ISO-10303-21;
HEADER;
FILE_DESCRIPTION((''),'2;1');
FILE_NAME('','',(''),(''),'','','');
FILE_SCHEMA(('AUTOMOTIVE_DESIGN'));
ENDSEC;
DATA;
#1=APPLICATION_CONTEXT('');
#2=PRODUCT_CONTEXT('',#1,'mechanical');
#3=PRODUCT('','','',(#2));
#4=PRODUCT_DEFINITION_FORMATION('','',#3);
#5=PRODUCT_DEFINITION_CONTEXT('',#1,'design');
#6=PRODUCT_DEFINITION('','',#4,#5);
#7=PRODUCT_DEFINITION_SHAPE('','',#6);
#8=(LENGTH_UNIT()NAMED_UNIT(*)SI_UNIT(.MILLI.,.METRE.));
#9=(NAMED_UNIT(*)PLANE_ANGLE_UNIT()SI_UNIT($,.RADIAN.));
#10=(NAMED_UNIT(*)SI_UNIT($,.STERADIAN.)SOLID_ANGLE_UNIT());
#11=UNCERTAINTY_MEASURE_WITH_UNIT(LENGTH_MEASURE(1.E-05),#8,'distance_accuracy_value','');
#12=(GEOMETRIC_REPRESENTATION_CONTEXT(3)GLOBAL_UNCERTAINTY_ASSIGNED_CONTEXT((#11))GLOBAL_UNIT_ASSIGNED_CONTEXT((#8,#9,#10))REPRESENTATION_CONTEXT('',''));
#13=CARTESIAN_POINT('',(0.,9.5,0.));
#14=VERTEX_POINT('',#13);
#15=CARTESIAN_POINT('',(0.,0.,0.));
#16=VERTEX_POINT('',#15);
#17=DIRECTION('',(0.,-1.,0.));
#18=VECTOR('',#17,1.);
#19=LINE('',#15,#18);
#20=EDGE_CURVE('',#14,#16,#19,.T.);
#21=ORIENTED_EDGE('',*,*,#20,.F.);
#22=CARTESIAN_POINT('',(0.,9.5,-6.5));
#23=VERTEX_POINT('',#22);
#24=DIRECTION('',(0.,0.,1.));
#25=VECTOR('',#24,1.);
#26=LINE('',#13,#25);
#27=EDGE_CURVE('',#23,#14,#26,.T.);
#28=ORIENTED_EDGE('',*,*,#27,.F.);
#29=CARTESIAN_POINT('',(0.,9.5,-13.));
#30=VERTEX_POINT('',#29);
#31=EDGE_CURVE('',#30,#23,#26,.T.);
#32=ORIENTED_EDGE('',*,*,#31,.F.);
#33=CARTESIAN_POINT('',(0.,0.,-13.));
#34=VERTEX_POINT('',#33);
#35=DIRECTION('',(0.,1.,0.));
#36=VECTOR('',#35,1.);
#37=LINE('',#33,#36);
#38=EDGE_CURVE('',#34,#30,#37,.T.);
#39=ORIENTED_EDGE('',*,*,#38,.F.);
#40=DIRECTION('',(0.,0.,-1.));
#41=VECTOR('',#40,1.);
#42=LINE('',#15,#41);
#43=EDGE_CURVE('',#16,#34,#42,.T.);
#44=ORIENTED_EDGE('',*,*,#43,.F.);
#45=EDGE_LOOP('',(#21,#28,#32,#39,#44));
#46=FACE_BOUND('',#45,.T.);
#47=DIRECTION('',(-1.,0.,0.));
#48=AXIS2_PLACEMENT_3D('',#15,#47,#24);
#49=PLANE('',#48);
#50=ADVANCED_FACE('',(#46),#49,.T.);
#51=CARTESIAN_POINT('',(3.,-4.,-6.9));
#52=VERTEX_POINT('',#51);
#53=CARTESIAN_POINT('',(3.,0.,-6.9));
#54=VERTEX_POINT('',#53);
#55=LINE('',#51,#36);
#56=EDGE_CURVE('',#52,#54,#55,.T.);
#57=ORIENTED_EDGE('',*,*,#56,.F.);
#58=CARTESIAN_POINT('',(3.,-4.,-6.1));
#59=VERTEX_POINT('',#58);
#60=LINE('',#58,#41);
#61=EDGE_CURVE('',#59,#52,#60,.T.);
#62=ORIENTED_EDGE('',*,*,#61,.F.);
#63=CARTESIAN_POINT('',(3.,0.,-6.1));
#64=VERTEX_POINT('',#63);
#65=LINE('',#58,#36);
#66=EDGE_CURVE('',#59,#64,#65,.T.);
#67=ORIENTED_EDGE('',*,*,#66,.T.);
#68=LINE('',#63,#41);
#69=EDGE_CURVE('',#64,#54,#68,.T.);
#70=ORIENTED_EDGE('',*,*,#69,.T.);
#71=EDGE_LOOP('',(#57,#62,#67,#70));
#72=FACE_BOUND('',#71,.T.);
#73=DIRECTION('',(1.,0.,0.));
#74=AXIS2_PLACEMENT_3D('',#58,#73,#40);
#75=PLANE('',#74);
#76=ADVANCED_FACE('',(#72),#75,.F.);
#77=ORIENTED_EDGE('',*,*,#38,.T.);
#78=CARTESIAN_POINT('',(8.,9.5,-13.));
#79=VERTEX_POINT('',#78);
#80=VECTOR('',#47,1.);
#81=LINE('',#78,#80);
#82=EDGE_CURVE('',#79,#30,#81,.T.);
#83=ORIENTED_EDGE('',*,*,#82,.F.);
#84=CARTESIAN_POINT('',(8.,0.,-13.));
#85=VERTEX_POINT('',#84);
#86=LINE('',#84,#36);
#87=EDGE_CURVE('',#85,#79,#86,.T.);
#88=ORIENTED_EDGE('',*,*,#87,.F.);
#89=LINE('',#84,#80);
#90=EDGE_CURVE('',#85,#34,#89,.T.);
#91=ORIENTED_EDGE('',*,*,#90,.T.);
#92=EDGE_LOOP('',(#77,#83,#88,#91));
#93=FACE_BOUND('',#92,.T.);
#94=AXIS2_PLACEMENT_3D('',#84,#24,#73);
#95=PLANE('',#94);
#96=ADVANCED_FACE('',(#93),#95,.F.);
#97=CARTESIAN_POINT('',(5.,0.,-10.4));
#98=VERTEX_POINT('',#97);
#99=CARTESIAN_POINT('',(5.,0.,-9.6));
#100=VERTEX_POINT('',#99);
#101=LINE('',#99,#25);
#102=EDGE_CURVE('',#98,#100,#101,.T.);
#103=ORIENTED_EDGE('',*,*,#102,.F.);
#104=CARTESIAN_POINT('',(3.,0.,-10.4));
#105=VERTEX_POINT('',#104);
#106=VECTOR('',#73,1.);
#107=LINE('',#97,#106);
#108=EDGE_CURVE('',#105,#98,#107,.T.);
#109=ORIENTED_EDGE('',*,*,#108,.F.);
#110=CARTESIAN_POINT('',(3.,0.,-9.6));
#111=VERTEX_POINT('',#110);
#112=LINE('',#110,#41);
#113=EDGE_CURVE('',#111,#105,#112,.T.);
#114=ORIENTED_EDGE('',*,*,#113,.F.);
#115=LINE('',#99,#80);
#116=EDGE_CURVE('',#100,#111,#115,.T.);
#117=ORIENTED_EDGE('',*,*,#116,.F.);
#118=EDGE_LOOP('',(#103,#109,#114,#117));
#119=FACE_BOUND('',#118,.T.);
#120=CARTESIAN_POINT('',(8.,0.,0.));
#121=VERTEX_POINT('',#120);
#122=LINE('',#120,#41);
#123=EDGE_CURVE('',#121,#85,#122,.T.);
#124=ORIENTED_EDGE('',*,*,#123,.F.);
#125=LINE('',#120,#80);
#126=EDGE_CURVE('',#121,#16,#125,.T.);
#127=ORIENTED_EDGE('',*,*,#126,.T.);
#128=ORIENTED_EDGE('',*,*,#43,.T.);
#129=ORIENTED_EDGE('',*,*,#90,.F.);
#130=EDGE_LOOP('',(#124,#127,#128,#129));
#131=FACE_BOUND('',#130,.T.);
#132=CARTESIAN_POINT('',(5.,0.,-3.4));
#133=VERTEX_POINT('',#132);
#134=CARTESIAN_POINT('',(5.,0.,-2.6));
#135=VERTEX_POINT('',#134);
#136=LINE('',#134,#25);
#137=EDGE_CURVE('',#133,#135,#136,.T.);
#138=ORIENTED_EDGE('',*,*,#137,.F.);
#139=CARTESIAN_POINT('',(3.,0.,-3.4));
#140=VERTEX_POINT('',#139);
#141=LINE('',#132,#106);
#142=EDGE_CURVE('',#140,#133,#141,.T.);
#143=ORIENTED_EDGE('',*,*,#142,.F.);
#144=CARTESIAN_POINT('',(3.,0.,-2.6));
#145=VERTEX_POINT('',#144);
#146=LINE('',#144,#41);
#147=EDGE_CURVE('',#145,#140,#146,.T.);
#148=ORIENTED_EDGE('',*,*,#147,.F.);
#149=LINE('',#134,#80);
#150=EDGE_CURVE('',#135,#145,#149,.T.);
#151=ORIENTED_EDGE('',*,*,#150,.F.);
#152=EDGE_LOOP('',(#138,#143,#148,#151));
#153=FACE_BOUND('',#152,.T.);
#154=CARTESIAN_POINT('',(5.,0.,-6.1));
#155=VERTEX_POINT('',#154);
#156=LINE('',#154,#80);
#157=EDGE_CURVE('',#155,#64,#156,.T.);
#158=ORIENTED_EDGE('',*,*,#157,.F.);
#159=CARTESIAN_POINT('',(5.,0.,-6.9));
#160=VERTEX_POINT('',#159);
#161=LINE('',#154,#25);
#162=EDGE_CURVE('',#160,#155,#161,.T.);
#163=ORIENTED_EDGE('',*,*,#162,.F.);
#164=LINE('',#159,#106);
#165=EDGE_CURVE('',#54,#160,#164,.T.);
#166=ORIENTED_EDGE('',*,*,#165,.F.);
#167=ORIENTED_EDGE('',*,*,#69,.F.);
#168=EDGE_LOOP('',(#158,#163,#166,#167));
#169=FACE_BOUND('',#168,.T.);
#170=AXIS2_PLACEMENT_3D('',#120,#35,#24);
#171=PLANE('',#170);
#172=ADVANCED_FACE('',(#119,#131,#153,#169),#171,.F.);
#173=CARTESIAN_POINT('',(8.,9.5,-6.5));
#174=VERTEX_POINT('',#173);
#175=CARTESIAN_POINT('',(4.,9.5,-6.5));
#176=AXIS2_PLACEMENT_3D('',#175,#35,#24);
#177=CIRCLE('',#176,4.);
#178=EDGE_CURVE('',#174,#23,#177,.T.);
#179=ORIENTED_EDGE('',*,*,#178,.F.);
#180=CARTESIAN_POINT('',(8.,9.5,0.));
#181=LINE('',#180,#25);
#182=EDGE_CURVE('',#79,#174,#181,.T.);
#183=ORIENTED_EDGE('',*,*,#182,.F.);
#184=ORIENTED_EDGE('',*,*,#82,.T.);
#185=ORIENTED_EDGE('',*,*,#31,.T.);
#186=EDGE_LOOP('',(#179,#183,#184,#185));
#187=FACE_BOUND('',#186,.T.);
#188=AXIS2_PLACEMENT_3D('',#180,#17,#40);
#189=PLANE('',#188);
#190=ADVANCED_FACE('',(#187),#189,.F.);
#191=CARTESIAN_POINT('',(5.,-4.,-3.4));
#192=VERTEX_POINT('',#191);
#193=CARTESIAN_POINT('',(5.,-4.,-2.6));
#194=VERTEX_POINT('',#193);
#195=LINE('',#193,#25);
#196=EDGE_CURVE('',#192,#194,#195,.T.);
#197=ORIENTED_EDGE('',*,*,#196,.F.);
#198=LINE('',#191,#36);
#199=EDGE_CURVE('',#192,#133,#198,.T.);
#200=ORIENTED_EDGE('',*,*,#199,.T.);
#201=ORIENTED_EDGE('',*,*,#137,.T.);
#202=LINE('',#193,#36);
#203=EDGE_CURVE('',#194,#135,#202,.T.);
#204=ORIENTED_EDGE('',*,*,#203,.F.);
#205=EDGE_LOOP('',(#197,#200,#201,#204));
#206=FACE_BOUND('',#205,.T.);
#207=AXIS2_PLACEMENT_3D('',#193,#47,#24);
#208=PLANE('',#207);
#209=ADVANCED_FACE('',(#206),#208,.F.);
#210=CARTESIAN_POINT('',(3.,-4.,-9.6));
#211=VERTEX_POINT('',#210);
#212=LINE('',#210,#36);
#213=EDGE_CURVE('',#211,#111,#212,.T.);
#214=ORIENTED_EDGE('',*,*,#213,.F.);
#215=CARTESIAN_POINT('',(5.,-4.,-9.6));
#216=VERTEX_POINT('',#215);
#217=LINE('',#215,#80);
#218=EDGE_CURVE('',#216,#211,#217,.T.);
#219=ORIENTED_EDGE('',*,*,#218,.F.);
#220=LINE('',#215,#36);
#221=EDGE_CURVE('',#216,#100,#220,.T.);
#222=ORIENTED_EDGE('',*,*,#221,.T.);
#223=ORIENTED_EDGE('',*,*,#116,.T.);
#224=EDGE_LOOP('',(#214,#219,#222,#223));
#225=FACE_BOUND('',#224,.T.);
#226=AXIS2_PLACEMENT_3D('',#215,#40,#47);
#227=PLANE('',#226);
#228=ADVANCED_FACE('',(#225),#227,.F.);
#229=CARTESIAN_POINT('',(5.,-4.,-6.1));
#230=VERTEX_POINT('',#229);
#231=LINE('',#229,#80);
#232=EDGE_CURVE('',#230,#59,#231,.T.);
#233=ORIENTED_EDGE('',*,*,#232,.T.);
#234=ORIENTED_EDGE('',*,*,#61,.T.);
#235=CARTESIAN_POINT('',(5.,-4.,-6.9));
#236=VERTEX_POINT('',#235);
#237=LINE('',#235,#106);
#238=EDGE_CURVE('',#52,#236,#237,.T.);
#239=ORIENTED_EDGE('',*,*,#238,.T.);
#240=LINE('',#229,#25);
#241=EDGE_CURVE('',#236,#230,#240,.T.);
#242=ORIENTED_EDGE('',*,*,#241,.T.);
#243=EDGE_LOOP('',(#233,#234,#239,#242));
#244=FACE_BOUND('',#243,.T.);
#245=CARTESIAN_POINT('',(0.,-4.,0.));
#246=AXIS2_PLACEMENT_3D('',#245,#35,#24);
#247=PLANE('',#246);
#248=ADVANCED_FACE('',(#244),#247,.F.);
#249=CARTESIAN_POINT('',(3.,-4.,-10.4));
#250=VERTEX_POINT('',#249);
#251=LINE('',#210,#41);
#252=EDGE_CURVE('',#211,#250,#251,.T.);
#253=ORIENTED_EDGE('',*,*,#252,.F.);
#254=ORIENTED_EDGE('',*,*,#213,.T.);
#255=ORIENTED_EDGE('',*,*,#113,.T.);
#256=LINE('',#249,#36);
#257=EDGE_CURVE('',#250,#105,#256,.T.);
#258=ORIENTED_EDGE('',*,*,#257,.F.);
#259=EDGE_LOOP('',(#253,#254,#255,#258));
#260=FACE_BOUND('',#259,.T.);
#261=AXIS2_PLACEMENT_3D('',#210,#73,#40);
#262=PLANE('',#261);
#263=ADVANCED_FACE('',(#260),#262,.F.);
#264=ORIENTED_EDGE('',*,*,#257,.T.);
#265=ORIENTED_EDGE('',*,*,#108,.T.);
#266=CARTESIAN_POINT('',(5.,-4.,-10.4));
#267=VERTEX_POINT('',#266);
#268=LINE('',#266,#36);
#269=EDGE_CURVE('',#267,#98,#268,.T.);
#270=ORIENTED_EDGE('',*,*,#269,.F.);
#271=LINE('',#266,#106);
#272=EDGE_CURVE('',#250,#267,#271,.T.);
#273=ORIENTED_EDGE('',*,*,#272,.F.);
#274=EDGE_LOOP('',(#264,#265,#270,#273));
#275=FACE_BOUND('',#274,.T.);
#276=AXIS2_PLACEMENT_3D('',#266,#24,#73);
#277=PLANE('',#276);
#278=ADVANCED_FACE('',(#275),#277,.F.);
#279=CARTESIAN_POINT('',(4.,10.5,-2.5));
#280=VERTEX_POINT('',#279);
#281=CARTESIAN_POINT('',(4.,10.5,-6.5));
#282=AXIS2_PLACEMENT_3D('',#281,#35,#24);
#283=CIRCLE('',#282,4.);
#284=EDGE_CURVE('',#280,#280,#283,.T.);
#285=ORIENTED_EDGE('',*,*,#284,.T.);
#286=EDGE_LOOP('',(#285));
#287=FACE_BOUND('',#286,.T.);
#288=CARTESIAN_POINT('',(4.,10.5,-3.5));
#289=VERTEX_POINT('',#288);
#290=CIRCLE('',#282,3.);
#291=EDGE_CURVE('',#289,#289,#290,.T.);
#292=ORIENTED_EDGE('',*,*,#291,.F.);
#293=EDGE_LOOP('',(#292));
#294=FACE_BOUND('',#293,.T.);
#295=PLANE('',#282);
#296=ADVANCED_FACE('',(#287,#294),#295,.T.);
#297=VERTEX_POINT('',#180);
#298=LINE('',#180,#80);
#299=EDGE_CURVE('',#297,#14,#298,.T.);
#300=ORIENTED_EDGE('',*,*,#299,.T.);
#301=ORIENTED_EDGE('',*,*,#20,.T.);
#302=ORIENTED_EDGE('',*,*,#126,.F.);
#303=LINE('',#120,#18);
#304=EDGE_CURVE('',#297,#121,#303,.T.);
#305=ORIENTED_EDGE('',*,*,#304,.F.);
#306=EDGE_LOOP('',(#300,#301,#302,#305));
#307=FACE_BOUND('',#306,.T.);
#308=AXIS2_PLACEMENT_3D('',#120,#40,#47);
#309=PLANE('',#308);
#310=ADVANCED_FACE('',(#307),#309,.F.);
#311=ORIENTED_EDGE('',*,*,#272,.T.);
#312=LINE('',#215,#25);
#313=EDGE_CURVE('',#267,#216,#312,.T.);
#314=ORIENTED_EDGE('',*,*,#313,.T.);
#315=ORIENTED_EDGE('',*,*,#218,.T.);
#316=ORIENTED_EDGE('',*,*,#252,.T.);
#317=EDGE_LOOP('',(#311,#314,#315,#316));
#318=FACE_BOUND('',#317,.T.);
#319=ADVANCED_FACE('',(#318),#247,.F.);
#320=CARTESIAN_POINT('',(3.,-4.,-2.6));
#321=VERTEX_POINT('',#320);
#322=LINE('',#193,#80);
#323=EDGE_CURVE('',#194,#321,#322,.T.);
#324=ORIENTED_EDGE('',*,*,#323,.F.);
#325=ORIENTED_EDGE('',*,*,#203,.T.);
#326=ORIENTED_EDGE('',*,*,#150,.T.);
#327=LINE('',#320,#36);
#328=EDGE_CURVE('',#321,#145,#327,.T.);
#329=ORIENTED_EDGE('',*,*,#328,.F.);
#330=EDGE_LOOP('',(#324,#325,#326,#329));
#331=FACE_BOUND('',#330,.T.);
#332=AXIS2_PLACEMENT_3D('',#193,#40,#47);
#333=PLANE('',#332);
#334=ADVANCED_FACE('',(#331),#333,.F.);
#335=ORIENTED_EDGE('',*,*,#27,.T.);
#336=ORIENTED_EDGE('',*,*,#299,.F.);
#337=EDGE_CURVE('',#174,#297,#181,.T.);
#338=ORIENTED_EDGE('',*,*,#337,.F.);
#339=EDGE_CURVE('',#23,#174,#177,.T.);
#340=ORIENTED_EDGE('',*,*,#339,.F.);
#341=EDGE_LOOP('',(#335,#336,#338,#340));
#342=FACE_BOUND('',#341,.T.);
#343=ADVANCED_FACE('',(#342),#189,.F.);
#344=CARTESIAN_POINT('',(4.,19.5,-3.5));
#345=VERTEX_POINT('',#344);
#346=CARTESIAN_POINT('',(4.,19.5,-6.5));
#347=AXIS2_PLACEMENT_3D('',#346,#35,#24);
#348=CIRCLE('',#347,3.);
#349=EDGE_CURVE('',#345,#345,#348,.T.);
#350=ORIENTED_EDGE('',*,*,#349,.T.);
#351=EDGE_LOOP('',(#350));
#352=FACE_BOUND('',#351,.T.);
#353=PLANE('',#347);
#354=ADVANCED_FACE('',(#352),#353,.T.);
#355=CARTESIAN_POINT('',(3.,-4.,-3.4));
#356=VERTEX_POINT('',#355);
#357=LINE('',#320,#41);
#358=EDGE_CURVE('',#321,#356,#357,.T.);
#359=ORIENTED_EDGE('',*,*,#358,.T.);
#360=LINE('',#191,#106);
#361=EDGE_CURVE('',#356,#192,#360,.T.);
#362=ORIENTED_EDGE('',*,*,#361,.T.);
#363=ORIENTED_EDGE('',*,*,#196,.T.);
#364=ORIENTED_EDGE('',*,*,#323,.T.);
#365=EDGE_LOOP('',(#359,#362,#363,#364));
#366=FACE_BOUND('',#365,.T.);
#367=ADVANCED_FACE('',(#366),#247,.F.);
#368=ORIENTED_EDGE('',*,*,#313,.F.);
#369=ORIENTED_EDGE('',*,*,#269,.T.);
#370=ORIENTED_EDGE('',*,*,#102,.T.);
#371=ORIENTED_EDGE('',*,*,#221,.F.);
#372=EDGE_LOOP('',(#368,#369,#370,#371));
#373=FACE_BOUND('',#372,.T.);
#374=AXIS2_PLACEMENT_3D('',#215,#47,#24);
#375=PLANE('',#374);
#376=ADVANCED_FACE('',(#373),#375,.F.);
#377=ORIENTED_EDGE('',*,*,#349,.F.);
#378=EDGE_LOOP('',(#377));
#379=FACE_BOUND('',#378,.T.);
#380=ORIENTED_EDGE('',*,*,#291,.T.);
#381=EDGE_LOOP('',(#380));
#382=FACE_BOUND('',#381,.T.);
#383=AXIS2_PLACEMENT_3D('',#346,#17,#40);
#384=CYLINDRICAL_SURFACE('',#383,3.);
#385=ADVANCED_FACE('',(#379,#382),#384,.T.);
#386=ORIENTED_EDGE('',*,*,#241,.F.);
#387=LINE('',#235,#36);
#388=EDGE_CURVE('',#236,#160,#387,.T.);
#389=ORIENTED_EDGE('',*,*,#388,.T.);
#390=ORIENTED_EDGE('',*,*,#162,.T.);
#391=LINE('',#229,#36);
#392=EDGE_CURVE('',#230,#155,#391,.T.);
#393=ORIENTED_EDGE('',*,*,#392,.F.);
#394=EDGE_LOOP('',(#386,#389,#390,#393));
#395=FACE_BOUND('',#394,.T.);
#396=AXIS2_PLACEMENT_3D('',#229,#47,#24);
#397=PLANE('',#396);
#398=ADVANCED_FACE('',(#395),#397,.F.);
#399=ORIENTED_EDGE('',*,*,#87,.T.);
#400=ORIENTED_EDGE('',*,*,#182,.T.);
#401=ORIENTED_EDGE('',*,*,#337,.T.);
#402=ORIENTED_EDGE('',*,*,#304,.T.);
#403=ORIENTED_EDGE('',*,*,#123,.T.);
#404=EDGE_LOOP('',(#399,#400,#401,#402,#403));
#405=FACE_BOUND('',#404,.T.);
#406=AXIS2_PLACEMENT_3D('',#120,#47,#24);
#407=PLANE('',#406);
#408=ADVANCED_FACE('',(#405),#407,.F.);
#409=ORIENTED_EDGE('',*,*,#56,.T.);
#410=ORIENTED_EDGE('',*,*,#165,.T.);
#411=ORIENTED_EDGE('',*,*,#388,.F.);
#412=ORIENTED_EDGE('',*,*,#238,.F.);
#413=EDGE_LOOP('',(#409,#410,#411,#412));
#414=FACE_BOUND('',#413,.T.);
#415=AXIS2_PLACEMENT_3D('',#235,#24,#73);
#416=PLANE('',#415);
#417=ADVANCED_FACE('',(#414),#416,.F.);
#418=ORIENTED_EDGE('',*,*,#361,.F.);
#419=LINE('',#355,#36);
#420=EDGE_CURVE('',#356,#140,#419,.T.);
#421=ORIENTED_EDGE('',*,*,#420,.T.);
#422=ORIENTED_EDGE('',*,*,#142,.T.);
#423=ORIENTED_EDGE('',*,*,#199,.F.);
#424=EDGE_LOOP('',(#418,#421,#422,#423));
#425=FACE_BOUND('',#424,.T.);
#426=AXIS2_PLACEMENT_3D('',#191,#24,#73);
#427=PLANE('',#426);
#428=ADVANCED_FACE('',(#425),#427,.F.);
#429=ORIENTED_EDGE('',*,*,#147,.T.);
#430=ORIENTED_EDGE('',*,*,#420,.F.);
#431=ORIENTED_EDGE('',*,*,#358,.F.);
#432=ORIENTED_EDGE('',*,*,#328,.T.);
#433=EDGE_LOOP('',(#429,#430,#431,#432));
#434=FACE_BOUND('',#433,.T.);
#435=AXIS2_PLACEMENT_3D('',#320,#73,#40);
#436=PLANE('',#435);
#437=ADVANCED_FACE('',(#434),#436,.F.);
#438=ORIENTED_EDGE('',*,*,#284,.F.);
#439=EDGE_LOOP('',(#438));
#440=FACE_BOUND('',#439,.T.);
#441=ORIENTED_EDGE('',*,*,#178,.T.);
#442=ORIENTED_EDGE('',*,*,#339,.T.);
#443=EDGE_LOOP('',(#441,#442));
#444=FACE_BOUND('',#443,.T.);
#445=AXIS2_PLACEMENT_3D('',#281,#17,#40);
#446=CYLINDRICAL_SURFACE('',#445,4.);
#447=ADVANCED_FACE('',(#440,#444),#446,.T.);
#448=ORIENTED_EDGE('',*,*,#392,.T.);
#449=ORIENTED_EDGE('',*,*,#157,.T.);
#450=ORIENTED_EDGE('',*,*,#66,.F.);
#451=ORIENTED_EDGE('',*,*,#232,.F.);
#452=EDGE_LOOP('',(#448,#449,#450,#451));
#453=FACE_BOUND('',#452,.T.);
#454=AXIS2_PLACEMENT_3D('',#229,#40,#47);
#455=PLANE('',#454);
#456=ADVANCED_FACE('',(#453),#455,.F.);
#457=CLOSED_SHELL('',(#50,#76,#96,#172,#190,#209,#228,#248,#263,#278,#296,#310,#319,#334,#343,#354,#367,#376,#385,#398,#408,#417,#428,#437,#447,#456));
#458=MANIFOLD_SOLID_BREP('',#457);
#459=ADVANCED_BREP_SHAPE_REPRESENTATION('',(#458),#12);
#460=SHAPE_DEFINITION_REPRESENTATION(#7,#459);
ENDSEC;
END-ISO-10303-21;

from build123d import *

# Parameters (mm, degrees)
ESQUISSE1_W        = 13
ESQUISSE1_H        = 9.5
BOSS_EXTRU_1_DEPTH = 8
ESQUISSE2_R        = 4
BOSS_EXTRU_2_DEPTH = 1
ESQUISSE3_R        = 3
BOSS_EXTRU_3_DEPTH = 9
ESQUISSE4_W        = 2
ESQUISSE4_H        = 0.8
BOSS_EXTRU_4_DEPTH = 4


with BuildPart() as part:
    # Esquisse1 → Boss.-Extru.1 (new body)
    with BuildSketch(Plane(origin=(0, 0, 0), x_dir=(0, 0, -1), z_dir=(1, 0, 0))):
        with Locations((6.5, 4.75)):
            Rectangle(ESQUISSE1_W, ESQUISSE1_H)
    extrude(amount=BOSS_EXTRU_1_DEPTH)

    # Esquisse2 → Boss.-Extru.2 (add)
    with BuildSketch(Plane(origin=(0, 9.5, 0), x_dir=(1, 0, 0), z_dir=(0, 1, 0))):
        with Locations((4, 6.5)):
            Circle(ESQUISSE2_R)
    extrude(amount=BOSS_EXTRU_2_DEPTH)

    # Esquisse3 → Boss.-Extru.3 (add)
    with BuildSketch(Plane(origin=(0, 10.5, 0), x_dir=(1, 0, 0), z_dir=(0, 1, 0))):
        with Locations((4, 6.5)):
            Circle(ESQUISSE3_R)
    extrude(amount=BOSS_EXTRU_3_DEPTH)

    # Esquisse4 → Boss.-Extru.4 (add)
    with BuildSketch(Plane.XZ):
        with Locations((4, -3)):
            Rectangle(ESQUISSE4_W, ESQUISSE4_H)
        with Locations((4, -6.5)):
            Rectangle(ESQUISSE4_W, ESQUISSE4_H)
        with Locations((4, -10)):
            Rectangle(ESQUISSE4_W, ESQUISSE4_H)
    extrude(amount=BOSS_EXTRU_4_DEPTH)


solid = part.part
